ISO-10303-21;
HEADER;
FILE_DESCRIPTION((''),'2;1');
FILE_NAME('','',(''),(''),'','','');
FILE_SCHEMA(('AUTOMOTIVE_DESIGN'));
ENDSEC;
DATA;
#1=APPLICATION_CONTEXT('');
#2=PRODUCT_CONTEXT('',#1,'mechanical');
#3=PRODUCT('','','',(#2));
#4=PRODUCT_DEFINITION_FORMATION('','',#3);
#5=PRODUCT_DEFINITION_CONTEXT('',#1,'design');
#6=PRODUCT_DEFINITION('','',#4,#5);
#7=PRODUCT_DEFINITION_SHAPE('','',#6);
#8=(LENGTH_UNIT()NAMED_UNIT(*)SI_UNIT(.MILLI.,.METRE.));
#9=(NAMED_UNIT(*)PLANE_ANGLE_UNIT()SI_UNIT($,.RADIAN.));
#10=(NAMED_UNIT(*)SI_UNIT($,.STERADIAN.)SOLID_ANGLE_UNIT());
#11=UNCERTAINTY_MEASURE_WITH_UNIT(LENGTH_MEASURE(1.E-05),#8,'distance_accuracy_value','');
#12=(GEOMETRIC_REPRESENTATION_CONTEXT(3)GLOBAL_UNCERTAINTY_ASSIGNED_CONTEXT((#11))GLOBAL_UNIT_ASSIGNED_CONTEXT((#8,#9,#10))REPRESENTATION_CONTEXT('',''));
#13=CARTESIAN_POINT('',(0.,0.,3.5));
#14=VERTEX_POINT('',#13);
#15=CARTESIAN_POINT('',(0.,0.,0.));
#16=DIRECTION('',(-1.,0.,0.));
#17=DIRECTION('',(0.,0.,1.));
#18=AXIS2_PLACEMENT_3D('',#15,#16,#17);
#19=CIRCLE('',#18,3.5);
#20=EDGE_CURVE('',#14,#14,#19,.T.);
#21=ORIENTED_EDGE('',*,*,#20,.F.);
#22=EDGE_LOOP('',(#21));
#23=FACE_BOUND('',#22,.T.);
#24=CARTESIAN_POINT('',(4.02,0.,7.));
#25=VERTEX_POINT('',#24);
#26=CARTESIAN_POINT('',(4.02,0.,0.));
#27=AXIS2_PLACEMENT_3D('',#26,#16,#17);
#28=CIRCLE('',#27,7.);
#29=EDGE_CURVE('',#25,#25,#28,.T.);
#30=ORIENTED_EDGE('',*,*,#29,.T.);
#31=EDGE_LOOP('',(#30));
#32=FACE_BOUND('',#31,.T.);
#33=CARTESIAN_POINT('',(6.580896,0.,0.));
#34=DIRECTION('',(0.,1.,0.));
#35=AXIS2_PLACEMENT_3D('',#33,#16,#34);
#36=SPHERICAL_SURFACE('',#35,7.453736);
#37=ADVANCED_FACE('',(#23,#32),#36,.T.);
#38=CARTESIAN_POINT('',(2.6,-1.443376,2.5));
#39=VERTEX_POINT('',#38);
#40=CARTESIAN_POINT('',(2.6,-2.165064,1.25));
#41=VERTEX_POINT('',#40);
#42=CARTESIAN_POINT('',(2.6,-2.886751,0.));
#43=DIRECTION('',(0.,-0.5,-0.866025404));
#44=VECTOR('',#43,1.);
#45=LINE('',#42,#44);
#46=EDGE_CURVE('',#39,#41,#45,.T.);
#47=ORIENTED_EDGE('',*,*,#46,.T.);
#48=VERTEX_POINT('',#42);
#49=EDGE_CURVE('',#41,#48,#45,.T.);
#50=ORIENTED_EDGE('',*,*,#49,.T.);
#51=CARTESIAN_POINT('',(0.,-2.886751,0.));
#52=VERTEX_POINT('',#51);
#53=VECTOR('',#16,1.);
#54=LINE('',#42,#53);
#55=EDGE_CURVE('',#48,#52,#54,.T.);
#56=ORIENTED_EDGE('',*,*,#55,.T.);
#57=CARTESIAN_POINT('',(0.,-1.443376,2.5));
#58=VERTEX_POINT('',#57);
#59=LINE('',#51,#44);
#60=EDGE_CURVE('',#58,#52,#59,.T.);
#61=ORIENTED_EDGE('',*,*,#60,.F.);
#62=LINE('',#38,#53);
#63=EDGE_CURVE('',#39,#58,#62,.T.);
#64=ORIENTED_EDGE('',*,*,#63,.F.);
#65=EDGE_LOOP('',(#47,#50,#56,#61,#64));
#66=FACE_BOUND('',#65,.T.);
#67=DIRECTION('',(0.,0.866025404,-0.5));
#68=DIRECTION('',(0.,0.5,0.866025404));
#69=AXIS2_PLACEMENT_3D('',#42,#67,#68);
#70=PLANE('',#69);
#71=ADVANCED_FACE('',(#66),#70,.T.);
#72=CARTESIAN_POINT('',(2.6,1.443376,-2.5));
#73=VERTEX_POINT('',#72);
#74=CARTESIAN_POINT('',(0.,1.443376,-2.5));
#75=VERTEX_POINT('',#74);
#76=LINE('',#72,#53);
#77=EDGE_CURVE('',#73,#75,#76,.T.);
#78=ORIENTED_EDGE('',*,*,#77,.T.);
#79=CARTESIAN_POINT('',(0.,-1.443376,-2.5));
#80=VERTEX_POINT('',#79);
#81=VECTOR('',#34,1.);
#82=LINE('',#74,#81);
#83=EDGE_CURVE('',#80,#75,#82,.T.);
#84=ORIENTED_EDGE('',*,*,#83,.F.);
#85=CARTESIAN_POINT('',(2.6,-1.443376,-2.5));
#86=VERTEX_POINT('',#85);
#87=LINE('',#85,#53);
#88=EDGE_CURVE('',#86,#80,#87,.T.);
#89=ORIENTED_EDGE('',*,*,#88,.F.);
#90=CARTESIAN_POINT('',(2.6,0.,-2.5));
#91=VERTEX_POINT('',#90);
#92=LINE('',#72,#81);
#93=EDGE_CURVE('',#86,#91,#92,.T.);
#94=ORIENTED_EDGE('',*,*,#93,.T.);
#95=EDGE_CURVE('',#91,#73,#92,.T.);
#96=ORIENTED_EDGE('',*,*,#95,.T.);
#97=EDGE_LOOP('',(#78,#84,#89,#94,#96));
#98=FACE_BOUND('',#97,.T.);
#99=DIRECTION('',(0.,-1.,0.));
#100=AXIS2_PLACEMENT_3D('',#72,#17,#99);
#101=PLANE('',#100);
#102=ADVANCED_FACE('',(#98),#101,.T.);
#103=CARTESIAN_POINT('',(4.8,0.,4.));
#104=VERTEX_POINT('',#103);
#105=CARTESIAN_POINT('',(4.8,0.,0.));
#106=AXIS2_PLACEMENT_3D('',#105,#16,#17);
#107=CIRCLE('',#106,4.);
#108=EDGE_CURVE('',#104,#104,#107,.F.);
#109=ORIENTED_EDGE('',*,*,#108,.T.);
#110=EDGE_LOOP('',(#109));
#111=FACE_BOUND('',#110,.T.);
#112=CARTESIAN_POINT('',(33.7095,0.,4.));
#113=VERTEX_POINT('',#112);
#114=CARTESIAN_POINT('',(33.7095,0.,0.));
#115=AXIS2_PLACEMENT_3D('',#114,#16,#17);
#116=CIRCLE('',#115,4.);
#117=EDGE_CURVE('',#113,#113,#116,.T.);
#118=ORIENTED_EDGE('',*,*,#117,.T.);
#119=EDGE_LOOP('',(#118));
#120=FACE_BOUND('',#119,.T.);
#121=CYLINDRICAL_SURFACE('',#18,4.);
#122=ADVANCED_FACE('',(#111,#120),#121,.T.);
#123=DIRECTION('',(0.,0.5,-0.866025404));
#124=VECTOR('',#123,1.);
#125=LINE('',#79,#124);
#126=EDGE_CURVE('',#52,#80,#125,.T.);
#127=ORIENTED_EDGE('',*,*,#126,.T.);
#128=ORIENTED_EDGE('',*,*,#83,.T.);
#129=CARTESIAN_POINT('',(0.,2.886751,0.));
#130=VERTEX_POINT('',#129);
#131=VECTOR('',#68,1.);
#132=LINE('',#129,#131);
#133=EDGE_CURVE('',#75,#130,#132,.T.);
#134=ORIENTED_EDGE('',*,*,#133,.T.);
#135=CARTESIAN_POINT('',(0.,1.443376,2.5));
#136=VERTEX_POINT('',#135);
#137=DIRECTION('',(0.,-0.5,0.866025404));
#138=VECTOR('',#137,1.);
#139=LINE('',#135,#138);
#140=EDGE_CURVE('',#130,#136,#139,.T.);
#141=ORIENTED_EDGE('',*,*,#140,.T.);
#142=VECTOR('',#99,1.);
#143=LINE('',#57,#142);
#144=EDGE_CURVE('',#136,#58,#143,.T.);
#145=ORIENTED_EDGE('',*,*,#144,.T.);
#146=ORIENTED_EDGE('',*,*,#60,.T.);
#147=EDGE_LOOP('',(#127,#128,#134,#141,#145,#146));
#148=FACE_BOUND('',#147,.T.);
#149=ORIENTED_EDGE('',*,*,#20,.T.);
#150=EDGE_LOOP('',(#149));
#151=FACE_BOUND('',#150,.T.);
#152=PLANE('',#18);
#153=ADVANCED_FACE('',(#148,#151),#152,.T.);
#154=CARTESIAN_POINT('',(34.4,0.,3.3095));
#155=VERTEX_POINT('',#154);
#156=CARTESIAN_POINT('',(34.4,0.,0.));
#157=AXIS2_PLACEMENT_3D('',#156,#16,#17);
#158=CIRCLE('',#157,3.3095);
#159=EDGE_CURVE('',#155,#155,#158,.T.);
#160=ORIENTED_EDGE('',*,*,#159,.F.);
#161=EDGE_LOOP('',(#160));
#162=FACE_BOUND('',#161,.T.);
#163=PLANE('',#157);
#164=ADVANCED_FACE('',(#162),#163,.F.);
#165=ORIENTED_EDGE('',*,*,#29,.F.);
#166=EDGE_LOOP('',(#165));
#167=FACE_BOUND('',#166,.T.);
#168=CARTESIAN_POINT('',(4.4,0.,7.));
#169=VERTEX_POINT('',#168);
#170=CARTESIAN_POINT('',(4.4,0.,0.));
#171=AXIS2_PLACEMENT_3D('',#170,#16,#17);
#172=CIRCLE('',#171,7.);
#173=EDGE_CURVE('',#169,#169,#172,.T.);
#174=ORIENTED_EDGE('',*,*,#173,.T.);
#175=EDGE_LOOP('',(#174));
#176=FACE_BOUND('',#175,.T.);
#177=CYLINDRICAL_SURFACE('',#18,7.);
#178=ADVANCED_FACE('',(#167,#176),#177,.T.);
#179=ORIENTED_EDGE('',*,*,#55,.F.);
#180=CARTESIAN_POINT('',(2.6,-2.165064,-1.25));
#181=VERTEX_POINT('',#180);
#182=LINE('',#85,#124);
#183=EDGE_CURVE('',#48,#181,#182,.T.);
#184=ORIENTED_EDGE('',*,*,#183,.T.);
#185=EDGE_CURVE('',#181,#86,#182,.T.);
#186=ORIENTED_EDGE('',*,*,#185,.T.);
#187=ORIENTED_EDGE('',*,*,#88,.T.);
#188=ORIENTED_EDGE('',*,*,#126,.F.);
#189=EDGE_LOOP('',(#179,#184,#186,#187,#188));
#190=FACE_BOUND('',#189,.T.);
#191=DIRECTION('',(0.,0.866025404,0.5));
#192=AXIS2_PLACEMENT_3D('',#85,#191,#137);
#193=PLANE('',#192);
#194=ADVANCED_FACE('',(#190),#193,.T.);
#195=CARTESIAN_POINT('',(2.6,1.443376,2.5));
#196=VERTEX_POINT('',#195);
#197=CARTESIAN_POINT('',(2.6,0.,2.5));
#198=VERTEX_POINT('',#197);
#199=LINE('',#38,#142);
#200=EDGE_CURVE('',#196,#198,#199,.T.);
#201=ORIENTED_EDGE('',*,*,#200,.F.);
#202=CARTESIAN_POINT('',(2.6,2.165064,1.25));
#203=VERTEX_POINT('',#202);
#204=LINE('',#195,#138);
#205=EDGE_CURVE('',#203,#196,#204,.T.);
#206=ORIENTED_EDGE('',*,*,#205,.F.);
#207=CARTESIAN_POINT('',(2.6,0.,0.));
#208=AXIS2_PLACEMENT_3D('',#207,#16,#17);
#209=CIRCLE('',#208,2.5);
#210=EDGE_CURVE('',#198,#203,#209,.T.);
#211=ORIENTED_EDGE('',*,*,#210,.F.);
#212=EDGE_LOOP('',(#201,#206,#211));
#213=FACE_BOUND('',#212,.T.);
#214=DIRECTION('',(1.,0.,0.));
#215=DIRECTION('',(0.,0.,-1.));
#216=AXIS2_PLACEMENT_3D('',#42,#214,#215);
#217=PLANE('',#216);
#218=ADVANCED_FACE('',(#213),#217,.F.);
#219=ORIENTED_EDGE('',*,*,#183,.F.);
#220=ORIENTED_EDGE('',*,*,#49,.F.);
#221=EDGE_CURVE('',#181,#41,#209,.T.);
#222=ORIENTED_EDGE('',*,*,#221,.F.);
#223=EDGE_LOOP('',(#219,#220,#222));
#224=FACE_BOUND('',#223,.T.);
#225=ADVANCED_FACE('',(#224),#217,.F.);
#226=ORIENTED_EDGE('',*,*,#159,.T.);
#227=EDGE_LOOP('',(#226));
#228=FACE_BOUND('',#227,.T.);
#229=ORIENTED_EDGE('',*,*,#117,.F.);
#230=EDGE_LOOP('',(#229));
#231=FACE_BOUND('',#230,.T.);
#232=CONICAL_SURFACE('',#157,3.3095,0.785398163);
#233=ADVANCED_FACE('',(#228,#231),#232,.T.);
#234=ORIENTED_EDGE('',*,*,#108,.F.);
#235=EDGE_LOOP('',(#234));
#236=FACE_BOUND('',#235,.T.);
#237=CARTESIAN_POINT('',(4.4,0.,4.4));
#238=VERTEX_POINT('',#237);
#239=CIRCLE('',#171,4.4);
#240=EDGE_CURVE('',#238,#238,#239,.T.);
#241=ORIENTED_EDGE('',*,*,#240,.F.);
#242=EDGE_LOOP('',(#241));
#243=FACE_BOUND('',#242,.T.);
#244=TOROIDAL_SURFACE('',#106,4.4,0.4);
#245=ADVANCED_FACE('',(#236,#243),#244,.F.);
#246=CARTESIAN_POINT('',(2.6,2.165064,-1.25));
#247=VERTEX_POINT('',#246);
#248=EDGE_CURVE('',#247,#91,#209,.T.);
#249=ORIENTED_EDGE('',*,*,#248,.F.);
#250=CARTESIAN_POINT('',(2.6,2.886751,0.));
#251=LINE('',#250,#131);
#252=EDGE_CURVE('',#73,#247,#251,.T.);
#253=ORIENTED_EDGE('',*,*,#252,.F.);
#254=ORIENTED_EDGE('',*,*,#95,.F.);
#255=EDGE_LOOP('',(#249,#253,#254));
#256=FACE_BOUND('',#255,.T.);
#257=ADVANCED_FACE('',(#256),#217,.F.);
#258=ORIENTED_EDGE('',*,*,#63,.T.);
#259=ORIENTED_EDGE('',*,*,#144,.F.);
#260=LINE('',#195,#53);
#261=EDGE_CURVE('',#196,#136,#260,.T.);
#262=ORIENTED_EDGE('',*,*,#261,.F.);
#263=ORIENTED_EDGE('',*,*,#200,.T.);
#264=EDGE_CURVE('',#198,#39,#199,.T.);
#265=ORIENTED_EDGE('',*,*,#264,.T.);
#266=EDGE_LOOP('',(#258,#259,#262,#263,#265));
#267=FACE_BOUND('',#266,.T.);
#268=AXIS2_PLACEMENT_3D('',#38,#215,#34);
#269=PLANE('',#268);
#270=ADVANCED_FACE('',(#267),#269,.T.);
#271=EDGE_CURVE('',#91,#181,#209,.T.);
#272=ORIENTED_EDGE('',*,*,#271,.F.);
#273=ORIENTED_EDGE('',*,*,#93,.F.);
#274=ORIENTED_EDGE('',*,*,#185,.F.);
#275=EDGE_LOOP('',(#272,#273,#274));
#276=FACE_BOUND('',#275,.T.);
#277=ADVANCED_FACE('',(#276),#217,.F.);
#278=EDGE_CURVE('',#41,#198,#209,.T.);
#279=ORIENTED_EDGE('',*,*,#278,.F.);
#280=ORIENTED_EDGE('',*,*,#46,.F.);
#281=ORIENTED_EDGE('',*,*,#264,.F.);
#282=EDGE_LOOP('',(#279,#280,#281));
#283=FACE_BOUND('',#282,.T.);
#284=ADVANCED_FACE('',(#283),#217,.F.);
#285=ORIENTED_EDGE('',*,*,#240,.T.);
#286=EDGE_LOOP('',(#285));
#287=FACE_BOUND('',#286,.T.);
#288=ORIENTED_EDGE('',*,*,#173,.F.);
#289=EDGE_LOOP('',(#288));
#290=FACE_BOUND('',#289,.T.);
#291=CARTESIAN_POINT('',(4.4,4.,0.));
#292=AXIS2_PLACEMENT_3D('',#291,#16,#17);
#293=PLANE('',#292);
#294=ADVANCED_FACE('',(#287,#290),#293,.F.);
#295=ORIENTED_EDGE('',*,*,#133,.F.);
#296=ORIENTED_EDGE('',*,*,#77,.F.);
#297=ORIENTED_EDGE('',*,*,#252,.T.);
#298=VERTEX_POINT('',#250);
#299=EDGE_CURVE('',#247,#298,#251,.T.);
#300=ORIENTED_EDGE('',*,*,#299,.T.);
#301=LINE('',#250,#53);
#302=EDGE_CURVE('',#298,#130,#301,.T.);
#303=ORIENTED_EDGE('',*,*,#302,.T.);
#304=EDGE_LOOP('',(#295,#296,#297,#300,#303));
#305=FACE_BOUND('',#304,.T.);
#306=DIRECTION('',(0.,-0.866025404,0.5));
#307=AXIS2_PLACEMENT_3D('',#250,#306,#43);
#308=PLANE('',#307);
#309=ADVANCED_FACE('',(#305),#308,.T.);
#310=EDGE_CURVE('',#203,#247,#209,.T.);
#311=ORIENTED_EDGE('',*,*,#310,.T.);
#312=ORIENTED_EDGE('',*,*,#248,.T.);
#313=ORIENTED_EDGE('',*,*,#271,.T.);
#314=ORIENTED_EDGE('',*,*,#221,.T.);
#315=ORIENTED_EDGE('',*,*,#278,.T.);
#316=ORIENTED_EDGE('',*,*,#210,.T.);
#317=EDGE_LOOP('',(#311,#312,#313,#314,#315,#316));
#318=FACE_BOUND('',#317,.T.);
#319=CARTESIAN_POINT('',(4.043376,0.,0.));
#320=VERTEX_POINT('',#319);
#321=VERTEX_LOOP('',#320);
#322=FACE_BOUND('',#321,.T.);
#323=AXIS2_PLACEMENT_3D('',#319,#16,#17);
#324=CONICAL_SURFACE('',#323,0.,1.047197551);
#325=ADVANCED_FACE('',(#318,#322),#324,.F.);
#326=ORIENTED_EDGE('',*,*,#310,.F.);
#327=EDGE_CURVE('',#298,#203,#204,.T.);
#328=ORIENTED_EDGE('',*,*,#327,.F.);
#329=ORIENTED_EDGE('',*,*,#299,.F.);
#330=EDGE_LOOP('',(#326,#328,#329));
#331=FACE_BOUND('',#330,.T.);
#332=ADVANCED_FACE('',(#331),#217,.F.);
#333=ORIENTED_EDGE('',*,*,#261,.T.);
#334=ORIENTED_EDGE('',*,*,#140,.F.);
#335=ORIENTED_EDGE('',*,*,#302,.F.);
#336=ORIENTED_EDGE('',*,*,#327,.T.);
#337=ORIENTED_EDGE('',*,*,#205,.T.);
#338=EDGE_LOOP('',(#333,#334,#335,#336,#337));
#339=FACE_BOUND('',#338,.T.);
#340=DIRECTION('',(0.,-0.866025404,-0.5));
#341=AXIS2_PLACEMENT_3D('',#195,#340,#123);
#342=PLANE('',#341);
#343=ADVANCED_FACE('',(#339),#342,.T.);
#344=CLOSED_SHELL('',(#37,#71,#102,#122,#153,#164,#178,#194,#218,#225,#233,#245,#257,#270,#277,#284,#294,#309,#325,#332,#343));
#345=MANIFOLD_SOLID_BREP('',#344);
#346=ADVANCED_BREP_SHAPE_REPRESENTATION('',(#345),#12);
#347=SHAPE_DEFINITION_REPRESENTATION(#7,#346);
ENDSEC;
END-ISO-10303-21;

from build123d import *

# Parameters (mm, degrees)
FILLET1_R   = 0.4
HEX_2_DEPTH = 2.6


with BuildPart() as part:
    # BodySke → BaseBody (revolve)
    with BuildSketch(Plane.XY, mode=Mode.PRIVATE) as basebody_sk:
        with BuildLine():
            Line((34.4, 0), (34.4, 3.3095))
            Line((34.4, 3.3095), (33.7095, 4))
            Line((33.7095, 4), (4.4, 4))
            Line((4.4, 4), (4.4, 7))
            Line((4.4, 7), (4.02, 7))
            ThreePointArc((4.02, 7), (1.686451133, 5.621618984), (0, 3.5))
            Line((0, 3.5), (0, 0))
            Line((0, 0), (34.4, 0))
        make_face()
    revolve(basebody_sk.sketch.rotate(Axis((0, 0, 0), (1, 0, 0)), 90), axis=Axis((0, 0, 0), (1, 0, 0)))  # turned: the seam where the file's is

    # Fillet1
    fillet1_edges = [part.edges().sort_by_distance(p)[0] for p in [
        (4.4, 0, -4),
    ]]
    fillet(fillet1_edges, radius=FILLET1_R)

    # Sketch2 → PreBroach (revolve, cut)
    with BuildSketch(Plane.XY, mode=Mode.PRIVATE) as prebroach_sk:
        Polygon((0, 2.5), (2.6, 2.5), (4.043375673, 0), (0, 0), align=None)
    revolve(prebroach_sk.sketch.rotate(Axis((0, 0, 0), (1, 0, 0)), 90), axis=Axis((0, 0, 0), (1, 0, 0)), mode=Mode.SUBTRACT)  # turned: the seam where the file's is

    # Sketch3 → Hex 2 (cut)
    with BuildSketch(Plane(origin=(0, 0, 0), x_dir=(0, 0, -1), z_dir=(1, 0, 0))):
        Polygon((-2.5, -1.443375673), (-2.5, 1.443375673), (0, 2.886751346), (2.5, 1.443375673), (2.5, -1.443375673), (0, -2.886751346), align=None)
    extrude(amount=HEX_2_DEPTH, mode=Mode.SUBTRACT)


solid = part.part
